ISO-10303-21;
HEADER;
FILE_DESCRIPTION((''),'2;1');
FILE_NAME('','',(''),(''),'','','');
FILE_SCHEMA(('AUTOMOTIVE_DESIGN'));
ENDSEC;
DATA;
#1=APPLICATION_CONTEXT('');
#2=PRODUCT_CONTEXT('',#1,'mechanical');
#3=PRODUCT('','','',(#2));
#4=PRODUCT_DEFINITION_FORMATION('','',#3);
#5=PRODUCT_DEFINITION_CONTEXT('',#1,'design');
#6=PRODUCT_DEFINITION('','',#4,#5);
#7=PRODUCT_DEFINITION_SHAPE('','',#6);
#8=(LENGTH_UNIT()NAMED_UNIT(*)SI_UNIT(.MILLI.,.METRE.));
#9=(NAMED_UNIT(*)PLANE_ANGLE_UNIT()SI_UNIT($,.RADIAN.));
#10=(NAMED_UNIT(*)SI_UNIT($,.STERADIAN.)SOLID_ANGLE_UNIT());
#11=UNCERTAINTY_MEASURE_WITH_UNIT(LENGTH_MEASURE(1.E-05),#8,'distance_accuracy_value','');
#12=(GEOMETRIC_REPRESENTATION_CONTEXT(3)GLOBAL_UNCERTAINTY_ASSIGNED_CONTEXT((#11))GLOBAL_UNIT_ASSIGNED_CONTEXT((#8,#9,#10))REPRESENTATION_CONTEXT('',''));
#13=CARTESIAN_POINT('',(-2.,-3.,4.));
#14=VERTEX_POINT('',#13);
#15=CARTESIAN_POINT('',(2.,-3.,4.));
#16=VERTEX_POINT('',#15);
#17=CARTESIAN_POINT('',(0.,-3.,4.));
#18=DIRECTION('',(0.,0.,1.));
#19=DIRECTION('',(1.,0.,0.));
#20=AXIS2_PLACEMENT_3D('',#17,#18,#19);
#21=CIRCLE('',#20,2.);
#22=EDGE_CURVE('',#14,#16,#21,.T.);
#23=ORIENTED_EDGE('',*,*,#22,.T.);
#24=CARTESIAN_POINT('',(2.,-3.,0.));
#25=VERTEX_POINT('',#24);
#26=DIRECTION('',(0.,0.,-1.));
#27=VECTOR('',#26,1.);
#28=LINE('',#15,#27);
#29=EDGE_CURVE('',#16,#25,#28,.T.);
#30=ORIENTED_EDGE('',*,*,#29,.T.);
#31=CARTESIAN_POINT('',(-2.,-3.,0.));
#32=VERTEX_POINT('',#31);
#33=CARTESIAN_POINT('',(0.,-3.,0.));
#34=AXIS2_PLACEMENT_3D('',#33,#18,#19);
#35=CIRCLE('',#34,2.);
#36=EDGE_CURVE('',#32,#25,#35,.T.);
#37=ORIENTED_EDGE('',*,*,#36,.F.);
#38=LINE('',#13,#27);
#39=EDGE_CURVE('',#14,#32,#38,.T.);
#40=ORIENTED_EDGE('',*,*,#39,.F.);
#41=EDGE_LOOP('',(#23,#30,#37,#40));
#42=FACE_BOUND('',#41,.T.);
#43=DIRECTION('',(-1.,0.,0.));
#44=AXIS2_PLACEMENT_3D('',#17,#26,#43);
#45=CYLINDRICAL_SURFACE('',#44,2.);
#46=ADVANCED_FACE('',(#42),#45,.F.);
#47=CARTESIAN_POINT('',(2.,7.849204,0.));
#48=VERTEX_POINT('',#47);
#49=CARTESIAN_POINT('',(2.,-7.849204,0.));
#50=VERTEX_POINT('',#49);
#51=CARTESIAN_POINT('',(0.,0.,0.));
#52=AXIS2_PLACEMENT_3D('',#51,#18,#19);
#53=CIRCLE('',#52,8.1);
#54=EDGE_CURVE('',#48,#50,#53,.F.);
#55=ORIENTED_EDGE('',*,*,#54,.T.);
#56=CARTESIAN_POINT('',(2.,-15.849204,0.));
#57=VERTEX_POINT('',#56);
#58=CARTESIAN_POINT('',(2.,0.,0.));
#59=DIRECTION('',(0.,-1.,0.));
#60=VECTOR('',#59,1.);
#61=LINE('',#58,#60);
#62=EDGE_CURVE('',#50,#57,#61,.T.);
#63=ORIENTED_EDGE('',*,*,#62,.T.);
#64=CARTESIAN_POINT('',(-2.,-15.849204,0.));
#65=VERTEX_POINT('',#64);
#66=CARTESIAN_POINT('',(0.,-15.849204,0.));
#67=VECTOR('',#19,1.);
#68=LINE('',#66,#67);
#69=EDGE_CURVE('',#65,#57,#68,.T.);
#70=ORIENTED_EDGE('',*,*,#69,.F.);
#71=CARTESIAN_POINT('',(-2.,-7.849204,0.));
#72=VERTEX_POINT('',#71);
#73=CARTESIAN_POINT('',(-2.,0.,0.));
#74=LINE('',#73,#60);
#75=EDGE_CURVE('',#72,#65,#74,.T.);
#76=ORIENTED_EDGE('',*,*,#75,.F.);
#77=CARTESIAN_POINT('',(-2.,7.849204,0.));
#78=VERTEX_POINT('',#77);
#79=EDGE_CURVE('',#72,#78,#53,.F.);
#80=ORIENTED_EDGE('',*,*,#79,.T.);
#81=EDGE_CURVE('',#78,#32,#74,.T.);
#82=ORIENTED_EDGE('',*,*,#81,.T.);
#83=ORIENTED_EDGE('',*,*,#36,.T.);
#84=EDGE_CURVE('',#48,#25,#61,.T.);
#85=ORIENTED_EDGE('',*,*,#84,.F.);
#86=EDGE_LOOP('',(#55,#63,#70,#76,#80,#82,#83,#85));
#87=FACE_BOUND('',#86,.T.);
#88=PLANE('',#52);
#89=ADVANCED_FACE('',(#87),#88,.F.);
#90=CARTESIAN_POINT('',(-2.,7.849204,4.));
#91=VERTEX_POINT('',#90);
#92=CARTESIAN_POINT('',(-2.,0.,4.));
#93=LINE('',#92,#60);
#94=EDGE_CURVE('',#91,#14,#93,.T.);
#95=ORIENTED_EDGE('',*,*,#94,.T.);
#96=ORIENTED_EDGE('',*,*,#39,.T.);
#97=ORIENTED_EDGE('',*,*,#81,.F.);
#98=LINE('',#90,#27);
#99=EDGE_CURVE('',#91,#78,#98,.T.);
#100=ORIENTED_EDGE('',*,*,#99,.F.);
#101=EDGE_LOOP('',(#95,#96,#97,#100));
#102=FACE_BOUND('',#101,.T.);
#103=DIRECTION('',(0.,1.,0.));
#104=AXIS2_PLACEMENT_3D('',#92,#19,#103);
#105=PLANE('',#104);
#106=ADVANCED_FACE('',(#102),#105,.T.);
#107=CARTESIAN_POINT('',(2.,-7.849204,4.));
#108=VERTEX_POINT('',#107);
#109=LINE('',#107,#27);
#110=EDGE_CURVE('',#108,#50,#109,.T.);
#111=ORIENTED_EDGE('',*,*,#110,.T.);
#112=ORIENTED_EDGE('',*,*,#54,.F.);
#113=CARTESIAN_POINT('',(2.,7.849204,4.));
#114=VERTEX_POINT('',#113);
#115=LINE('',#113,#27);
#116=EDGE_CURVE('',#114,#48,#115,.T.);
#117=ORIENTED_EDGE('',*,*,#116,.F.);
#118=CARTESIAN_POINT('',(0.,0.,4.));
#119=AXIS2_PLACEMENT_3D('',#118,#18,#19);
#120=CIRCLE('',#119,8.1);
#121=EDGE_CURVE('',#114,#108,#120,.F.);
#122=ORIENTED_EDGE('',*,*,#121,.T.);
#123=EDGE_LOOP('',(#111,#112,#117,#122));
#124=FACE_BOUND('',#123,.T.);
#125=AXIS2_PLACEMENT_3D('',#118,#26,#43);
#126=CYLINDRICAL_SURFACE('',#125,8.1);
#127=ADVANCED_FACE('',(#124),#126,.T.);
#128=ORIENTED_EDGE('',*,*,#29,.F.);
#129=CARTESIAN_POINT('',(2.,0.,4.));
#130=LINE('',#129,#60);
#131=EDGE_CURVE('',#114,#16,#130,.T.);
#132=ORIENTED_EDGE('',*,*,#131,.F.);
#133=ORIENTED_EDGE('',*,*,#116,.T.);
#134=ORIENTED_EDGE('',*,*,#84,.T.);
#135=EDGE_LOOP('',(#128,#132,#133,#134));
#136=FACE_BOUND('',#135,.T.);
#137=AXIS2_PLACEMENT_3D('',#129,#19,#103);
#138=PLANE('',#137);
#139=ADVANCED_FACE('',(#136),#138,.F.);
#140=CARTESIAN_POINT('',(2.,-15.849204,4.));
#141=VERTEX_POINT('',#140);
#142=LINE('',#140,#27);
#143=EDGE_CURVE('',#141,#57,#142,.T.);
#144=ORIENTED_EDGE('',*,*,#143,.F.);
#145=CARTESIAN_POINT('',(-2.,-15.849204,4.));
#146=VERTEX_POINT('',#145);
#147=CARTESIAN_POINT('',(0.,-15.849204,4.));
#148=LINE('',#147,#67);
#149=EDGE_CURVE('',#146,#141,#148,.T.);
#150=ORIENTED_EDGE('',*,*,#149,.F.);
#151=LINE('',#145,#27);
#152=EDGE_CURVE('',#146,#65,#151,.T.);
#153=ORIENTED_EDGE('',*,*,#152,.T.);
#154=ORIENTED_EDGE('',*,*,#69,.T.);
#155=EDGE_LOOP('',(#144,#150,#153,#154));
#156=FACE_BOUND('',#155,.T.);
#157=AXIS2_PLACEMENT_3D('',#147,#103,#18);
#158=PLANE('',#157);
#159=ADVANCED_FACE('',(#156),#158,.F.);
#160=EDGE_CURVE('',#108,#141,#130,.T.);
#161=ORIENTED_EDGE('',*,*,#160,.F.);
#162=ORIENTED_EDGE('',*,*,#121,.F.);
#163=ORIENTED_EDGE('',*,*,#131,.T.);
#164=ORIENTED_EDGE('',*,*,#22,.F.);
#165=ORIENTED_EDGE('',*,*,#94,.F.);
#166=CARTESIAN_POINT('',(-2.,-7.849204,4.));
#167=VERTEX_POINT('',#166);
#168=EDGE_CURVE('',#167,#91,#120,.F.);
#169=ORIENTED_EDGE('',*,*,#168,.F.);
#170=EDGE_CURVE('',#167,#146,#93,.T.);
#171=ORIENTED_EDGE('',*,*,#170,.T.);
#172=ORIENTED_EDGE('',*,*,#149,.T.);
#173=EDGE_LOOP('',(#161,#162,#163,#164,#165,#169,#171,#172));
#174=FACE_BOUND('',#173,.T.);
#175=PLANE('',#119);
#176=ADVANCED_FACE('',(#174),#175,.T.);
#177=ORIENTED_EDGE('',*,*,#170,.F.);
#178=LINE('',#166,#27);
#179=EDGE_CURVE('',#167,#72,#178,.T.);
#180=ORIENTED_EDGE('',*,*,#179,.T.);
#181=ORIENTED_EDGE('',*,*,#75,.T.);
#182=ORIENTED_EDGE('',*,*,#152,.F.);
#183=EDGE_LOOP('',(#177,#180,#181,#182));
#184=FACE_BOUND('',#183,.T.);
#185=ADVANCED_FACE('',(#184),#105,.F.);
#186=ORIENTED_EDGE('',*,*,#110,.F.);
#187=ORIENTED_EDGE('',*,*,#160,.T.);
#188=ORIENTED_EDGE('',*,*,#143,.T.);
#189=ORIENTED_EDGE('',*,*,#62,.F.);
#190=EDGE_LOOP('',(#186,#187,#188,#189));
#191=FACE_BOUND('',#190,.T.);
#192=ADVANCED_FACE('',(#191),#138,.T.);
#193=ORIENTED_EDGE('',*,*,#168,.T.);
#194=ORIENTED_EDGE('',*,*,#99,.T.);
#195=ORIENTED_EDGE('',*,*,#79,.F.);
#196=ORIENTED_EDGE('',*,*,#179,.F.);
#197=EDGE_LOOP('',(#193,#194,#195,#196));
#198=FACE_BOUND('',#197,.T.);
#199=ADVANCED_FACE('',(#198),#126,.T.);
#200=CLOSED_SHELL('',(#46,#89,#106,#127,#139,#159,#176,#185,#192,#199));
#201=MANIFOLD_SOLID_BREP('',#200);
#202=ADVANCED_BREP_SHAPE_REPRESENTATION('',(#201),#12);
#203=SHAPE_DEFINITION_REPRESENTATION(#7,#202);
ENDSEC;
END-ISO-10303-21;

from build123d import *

# Parameters (mm, degrees)
ESQUISSE1_W        = 4
ESQUISSE1_H        = 8
BOSS_EXTRU_1_DEPTH = 4


with BuildPart() as part:
    # Esquisse1 → Boss.-Extru.1 (new body)
    with BuildSketch(Plane.XY):
        with BuildLine():
            Line((-2, 7.849203781), (-2, -3))
            ThreePointArc((-2, -3), (0, -5), (2, -3))
            Line((2, -3), (2, 7.849203781))
            ThreePointArc((2, 7.849203781), (0, -8.1), (-2, 7.849203781))
        make_face()
        with Locations((0, -11.849203781)):
            Rectangle(ESQUISSE1_W, ESQUISSE1_H)
    extrude(amount=BOSS_EXTRU_1_DEPTH)


solid = part.part
